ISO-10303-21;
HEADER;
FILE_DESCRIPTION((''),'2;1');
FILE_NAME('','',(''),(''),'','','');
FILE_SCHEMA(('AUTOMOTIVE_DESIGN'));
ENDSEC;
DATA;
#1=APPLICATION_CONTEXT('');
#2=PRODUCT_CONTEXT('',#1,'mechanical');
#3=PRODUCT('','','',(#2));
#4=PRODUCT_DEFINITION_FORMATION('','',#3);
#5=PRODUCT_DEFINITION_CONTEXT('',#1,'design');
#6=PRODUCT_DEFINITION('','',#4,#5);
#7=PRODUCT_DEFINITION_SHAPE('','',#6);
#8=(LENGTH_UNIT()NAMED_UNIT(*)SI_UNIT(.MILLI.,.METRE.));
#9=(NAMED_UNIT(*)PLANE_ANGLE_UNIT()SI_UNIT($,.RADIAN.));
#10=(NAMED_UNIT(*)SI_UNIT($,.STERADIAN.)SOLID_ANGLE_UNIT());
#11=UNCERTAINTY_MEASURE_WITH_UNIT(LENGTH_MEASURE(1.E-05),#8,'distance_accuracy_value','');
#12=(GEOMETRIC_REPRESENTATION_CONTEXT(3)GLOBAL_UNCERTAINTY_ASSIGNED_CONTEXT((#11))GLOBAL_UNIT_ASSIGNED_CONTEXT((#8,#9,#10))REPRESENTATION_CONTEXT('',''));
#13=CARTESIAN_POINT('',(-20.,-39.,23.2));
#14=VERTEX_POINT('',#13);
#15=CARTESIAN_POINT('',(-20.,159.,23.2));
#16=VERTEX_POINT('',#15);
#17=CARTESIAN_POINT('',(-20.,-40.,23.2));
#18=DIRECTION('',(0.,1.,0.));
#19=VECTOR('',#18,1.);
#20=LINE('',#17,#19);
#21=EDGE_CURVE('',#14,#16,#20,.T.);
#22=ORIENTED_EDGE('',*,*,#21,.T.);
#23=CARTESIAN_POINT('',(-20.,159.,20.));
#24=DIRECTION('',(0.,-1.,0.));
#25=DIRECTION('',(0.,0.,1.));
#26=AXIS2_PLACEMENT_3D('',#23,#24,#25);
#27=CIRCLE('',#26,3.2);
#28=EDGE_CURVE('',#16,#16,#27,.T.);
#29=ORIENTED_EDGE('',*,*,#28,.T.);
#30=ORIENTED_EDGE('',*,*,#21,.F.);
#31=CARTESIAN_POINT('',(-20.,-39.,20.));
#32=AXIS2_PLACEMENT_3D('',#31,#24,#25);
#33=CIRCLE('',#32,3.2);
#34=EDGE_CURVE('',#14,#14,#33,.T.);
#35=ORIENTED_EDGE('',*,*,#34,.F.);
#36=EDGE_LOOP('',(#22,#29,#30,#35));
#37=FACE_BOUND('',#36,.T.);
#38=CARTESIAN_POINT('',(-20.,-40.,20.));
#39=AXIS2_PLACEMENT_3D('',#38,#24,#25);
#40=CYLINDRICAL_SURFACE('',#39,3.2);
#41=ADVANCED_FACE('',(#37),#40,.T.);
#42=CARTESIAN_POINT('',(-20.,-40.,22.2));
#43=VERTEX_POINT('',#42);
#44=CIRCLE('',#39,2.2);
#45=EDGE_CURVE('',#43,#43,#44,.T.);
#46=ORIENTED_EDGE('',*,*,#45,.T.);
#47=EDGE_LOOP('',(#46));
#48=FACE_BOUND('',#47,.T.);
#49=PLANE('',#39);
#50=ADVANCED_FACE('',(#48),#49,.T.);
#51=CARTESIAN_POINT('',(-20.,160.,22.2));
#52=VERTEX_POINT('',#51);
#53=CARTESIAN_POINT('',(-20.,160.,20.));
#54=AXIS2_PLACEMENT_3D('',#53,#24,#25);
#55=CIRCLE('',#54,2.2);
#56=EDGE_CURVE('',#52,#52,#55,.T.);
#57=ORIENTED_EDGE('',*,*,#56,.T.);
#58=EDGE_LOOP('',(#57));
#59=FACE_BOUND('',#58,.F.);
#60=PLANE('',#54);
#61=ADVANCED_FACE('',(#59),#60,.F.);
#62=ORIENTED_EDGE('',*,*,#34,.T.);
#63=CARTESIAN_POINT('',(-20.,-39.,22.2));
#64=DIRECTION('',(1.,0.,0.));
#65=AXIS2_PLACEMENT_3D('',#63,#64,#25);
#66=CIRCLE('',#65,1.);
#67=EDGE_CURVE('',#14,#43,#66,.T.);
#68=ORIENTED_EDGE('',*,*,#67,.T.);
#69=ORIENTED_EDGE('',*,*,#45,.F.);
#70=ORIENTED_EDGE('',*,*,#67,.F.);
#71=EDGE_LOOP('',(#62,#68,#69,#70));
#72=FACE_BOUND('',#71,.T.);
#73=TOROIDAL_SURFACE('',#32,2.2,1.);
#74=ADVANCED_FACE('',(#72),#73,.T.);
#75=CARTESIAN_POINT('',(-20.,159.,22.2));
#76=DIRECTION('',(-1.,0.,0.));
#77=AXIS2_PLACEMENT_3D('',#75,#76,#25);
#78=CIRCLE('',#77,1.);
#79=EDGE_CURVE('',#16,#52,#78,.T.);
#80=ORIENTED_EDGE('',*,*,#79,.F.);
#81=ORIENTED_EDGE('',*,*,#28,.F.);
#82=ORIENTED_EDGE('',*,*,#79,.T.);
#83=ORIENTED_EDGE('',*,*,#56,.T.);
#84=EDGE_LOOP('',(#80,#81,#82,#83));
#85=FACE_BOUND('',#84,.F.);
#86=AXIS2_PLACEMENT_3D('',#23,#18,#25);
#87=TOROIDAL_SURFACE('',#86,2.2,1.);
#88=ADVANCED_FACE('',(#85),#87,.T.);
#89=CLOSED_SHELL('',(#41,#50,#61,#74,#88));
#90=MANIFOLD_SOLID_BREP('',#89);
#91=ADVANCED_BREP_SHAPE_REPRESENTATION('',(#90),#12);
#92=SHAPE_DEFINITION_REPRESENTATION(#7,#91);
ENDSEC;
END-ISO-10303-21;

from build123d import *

# Parameters (mm, degrees)
SKETCH002_R              = 3.2
PAD001_DEPTH             = 200
FILLET_R                 = 1
FILLET001_R              = 1
CLONE003_PLACEMENT_ANGLE = 90


with BuildPart() as part:
    # Sketch002 (on DatumPlane) → Pad001 (new body)
    with BuildSketch(Plane(origin=(0, -40, 70), x_dir=(1, 0, 0), z_dir=(0, -1, 0))):
        with Locations((20, -50)):
            Circle(SKETCH002_R)
    extrude(amount=-PAD001_DEPTH)

    # Fillet
    fillet_edges = [part.edges().sort_by_distance(p)[0] for p in [
        (16.8, -40, 20),
    ]]
    fillet(fillet_edges, radius=FILLET_R)

    # Fillet001
    fillet001_edges = [part.edges().sort_by_distance(p)[0] for p in [
        (16.8, 160, 20),
    ]]
    fillet(fillet001_edges, radius=FILLET001_R)


with BuildPart() as part_1:
    # Clone003 placement: moved
    add(part.part.rotate(Axis((0, 0, 0), (0, -1, 0)), CLONE003_PLACEMENT_ANGLE))


solid = part_1.part
